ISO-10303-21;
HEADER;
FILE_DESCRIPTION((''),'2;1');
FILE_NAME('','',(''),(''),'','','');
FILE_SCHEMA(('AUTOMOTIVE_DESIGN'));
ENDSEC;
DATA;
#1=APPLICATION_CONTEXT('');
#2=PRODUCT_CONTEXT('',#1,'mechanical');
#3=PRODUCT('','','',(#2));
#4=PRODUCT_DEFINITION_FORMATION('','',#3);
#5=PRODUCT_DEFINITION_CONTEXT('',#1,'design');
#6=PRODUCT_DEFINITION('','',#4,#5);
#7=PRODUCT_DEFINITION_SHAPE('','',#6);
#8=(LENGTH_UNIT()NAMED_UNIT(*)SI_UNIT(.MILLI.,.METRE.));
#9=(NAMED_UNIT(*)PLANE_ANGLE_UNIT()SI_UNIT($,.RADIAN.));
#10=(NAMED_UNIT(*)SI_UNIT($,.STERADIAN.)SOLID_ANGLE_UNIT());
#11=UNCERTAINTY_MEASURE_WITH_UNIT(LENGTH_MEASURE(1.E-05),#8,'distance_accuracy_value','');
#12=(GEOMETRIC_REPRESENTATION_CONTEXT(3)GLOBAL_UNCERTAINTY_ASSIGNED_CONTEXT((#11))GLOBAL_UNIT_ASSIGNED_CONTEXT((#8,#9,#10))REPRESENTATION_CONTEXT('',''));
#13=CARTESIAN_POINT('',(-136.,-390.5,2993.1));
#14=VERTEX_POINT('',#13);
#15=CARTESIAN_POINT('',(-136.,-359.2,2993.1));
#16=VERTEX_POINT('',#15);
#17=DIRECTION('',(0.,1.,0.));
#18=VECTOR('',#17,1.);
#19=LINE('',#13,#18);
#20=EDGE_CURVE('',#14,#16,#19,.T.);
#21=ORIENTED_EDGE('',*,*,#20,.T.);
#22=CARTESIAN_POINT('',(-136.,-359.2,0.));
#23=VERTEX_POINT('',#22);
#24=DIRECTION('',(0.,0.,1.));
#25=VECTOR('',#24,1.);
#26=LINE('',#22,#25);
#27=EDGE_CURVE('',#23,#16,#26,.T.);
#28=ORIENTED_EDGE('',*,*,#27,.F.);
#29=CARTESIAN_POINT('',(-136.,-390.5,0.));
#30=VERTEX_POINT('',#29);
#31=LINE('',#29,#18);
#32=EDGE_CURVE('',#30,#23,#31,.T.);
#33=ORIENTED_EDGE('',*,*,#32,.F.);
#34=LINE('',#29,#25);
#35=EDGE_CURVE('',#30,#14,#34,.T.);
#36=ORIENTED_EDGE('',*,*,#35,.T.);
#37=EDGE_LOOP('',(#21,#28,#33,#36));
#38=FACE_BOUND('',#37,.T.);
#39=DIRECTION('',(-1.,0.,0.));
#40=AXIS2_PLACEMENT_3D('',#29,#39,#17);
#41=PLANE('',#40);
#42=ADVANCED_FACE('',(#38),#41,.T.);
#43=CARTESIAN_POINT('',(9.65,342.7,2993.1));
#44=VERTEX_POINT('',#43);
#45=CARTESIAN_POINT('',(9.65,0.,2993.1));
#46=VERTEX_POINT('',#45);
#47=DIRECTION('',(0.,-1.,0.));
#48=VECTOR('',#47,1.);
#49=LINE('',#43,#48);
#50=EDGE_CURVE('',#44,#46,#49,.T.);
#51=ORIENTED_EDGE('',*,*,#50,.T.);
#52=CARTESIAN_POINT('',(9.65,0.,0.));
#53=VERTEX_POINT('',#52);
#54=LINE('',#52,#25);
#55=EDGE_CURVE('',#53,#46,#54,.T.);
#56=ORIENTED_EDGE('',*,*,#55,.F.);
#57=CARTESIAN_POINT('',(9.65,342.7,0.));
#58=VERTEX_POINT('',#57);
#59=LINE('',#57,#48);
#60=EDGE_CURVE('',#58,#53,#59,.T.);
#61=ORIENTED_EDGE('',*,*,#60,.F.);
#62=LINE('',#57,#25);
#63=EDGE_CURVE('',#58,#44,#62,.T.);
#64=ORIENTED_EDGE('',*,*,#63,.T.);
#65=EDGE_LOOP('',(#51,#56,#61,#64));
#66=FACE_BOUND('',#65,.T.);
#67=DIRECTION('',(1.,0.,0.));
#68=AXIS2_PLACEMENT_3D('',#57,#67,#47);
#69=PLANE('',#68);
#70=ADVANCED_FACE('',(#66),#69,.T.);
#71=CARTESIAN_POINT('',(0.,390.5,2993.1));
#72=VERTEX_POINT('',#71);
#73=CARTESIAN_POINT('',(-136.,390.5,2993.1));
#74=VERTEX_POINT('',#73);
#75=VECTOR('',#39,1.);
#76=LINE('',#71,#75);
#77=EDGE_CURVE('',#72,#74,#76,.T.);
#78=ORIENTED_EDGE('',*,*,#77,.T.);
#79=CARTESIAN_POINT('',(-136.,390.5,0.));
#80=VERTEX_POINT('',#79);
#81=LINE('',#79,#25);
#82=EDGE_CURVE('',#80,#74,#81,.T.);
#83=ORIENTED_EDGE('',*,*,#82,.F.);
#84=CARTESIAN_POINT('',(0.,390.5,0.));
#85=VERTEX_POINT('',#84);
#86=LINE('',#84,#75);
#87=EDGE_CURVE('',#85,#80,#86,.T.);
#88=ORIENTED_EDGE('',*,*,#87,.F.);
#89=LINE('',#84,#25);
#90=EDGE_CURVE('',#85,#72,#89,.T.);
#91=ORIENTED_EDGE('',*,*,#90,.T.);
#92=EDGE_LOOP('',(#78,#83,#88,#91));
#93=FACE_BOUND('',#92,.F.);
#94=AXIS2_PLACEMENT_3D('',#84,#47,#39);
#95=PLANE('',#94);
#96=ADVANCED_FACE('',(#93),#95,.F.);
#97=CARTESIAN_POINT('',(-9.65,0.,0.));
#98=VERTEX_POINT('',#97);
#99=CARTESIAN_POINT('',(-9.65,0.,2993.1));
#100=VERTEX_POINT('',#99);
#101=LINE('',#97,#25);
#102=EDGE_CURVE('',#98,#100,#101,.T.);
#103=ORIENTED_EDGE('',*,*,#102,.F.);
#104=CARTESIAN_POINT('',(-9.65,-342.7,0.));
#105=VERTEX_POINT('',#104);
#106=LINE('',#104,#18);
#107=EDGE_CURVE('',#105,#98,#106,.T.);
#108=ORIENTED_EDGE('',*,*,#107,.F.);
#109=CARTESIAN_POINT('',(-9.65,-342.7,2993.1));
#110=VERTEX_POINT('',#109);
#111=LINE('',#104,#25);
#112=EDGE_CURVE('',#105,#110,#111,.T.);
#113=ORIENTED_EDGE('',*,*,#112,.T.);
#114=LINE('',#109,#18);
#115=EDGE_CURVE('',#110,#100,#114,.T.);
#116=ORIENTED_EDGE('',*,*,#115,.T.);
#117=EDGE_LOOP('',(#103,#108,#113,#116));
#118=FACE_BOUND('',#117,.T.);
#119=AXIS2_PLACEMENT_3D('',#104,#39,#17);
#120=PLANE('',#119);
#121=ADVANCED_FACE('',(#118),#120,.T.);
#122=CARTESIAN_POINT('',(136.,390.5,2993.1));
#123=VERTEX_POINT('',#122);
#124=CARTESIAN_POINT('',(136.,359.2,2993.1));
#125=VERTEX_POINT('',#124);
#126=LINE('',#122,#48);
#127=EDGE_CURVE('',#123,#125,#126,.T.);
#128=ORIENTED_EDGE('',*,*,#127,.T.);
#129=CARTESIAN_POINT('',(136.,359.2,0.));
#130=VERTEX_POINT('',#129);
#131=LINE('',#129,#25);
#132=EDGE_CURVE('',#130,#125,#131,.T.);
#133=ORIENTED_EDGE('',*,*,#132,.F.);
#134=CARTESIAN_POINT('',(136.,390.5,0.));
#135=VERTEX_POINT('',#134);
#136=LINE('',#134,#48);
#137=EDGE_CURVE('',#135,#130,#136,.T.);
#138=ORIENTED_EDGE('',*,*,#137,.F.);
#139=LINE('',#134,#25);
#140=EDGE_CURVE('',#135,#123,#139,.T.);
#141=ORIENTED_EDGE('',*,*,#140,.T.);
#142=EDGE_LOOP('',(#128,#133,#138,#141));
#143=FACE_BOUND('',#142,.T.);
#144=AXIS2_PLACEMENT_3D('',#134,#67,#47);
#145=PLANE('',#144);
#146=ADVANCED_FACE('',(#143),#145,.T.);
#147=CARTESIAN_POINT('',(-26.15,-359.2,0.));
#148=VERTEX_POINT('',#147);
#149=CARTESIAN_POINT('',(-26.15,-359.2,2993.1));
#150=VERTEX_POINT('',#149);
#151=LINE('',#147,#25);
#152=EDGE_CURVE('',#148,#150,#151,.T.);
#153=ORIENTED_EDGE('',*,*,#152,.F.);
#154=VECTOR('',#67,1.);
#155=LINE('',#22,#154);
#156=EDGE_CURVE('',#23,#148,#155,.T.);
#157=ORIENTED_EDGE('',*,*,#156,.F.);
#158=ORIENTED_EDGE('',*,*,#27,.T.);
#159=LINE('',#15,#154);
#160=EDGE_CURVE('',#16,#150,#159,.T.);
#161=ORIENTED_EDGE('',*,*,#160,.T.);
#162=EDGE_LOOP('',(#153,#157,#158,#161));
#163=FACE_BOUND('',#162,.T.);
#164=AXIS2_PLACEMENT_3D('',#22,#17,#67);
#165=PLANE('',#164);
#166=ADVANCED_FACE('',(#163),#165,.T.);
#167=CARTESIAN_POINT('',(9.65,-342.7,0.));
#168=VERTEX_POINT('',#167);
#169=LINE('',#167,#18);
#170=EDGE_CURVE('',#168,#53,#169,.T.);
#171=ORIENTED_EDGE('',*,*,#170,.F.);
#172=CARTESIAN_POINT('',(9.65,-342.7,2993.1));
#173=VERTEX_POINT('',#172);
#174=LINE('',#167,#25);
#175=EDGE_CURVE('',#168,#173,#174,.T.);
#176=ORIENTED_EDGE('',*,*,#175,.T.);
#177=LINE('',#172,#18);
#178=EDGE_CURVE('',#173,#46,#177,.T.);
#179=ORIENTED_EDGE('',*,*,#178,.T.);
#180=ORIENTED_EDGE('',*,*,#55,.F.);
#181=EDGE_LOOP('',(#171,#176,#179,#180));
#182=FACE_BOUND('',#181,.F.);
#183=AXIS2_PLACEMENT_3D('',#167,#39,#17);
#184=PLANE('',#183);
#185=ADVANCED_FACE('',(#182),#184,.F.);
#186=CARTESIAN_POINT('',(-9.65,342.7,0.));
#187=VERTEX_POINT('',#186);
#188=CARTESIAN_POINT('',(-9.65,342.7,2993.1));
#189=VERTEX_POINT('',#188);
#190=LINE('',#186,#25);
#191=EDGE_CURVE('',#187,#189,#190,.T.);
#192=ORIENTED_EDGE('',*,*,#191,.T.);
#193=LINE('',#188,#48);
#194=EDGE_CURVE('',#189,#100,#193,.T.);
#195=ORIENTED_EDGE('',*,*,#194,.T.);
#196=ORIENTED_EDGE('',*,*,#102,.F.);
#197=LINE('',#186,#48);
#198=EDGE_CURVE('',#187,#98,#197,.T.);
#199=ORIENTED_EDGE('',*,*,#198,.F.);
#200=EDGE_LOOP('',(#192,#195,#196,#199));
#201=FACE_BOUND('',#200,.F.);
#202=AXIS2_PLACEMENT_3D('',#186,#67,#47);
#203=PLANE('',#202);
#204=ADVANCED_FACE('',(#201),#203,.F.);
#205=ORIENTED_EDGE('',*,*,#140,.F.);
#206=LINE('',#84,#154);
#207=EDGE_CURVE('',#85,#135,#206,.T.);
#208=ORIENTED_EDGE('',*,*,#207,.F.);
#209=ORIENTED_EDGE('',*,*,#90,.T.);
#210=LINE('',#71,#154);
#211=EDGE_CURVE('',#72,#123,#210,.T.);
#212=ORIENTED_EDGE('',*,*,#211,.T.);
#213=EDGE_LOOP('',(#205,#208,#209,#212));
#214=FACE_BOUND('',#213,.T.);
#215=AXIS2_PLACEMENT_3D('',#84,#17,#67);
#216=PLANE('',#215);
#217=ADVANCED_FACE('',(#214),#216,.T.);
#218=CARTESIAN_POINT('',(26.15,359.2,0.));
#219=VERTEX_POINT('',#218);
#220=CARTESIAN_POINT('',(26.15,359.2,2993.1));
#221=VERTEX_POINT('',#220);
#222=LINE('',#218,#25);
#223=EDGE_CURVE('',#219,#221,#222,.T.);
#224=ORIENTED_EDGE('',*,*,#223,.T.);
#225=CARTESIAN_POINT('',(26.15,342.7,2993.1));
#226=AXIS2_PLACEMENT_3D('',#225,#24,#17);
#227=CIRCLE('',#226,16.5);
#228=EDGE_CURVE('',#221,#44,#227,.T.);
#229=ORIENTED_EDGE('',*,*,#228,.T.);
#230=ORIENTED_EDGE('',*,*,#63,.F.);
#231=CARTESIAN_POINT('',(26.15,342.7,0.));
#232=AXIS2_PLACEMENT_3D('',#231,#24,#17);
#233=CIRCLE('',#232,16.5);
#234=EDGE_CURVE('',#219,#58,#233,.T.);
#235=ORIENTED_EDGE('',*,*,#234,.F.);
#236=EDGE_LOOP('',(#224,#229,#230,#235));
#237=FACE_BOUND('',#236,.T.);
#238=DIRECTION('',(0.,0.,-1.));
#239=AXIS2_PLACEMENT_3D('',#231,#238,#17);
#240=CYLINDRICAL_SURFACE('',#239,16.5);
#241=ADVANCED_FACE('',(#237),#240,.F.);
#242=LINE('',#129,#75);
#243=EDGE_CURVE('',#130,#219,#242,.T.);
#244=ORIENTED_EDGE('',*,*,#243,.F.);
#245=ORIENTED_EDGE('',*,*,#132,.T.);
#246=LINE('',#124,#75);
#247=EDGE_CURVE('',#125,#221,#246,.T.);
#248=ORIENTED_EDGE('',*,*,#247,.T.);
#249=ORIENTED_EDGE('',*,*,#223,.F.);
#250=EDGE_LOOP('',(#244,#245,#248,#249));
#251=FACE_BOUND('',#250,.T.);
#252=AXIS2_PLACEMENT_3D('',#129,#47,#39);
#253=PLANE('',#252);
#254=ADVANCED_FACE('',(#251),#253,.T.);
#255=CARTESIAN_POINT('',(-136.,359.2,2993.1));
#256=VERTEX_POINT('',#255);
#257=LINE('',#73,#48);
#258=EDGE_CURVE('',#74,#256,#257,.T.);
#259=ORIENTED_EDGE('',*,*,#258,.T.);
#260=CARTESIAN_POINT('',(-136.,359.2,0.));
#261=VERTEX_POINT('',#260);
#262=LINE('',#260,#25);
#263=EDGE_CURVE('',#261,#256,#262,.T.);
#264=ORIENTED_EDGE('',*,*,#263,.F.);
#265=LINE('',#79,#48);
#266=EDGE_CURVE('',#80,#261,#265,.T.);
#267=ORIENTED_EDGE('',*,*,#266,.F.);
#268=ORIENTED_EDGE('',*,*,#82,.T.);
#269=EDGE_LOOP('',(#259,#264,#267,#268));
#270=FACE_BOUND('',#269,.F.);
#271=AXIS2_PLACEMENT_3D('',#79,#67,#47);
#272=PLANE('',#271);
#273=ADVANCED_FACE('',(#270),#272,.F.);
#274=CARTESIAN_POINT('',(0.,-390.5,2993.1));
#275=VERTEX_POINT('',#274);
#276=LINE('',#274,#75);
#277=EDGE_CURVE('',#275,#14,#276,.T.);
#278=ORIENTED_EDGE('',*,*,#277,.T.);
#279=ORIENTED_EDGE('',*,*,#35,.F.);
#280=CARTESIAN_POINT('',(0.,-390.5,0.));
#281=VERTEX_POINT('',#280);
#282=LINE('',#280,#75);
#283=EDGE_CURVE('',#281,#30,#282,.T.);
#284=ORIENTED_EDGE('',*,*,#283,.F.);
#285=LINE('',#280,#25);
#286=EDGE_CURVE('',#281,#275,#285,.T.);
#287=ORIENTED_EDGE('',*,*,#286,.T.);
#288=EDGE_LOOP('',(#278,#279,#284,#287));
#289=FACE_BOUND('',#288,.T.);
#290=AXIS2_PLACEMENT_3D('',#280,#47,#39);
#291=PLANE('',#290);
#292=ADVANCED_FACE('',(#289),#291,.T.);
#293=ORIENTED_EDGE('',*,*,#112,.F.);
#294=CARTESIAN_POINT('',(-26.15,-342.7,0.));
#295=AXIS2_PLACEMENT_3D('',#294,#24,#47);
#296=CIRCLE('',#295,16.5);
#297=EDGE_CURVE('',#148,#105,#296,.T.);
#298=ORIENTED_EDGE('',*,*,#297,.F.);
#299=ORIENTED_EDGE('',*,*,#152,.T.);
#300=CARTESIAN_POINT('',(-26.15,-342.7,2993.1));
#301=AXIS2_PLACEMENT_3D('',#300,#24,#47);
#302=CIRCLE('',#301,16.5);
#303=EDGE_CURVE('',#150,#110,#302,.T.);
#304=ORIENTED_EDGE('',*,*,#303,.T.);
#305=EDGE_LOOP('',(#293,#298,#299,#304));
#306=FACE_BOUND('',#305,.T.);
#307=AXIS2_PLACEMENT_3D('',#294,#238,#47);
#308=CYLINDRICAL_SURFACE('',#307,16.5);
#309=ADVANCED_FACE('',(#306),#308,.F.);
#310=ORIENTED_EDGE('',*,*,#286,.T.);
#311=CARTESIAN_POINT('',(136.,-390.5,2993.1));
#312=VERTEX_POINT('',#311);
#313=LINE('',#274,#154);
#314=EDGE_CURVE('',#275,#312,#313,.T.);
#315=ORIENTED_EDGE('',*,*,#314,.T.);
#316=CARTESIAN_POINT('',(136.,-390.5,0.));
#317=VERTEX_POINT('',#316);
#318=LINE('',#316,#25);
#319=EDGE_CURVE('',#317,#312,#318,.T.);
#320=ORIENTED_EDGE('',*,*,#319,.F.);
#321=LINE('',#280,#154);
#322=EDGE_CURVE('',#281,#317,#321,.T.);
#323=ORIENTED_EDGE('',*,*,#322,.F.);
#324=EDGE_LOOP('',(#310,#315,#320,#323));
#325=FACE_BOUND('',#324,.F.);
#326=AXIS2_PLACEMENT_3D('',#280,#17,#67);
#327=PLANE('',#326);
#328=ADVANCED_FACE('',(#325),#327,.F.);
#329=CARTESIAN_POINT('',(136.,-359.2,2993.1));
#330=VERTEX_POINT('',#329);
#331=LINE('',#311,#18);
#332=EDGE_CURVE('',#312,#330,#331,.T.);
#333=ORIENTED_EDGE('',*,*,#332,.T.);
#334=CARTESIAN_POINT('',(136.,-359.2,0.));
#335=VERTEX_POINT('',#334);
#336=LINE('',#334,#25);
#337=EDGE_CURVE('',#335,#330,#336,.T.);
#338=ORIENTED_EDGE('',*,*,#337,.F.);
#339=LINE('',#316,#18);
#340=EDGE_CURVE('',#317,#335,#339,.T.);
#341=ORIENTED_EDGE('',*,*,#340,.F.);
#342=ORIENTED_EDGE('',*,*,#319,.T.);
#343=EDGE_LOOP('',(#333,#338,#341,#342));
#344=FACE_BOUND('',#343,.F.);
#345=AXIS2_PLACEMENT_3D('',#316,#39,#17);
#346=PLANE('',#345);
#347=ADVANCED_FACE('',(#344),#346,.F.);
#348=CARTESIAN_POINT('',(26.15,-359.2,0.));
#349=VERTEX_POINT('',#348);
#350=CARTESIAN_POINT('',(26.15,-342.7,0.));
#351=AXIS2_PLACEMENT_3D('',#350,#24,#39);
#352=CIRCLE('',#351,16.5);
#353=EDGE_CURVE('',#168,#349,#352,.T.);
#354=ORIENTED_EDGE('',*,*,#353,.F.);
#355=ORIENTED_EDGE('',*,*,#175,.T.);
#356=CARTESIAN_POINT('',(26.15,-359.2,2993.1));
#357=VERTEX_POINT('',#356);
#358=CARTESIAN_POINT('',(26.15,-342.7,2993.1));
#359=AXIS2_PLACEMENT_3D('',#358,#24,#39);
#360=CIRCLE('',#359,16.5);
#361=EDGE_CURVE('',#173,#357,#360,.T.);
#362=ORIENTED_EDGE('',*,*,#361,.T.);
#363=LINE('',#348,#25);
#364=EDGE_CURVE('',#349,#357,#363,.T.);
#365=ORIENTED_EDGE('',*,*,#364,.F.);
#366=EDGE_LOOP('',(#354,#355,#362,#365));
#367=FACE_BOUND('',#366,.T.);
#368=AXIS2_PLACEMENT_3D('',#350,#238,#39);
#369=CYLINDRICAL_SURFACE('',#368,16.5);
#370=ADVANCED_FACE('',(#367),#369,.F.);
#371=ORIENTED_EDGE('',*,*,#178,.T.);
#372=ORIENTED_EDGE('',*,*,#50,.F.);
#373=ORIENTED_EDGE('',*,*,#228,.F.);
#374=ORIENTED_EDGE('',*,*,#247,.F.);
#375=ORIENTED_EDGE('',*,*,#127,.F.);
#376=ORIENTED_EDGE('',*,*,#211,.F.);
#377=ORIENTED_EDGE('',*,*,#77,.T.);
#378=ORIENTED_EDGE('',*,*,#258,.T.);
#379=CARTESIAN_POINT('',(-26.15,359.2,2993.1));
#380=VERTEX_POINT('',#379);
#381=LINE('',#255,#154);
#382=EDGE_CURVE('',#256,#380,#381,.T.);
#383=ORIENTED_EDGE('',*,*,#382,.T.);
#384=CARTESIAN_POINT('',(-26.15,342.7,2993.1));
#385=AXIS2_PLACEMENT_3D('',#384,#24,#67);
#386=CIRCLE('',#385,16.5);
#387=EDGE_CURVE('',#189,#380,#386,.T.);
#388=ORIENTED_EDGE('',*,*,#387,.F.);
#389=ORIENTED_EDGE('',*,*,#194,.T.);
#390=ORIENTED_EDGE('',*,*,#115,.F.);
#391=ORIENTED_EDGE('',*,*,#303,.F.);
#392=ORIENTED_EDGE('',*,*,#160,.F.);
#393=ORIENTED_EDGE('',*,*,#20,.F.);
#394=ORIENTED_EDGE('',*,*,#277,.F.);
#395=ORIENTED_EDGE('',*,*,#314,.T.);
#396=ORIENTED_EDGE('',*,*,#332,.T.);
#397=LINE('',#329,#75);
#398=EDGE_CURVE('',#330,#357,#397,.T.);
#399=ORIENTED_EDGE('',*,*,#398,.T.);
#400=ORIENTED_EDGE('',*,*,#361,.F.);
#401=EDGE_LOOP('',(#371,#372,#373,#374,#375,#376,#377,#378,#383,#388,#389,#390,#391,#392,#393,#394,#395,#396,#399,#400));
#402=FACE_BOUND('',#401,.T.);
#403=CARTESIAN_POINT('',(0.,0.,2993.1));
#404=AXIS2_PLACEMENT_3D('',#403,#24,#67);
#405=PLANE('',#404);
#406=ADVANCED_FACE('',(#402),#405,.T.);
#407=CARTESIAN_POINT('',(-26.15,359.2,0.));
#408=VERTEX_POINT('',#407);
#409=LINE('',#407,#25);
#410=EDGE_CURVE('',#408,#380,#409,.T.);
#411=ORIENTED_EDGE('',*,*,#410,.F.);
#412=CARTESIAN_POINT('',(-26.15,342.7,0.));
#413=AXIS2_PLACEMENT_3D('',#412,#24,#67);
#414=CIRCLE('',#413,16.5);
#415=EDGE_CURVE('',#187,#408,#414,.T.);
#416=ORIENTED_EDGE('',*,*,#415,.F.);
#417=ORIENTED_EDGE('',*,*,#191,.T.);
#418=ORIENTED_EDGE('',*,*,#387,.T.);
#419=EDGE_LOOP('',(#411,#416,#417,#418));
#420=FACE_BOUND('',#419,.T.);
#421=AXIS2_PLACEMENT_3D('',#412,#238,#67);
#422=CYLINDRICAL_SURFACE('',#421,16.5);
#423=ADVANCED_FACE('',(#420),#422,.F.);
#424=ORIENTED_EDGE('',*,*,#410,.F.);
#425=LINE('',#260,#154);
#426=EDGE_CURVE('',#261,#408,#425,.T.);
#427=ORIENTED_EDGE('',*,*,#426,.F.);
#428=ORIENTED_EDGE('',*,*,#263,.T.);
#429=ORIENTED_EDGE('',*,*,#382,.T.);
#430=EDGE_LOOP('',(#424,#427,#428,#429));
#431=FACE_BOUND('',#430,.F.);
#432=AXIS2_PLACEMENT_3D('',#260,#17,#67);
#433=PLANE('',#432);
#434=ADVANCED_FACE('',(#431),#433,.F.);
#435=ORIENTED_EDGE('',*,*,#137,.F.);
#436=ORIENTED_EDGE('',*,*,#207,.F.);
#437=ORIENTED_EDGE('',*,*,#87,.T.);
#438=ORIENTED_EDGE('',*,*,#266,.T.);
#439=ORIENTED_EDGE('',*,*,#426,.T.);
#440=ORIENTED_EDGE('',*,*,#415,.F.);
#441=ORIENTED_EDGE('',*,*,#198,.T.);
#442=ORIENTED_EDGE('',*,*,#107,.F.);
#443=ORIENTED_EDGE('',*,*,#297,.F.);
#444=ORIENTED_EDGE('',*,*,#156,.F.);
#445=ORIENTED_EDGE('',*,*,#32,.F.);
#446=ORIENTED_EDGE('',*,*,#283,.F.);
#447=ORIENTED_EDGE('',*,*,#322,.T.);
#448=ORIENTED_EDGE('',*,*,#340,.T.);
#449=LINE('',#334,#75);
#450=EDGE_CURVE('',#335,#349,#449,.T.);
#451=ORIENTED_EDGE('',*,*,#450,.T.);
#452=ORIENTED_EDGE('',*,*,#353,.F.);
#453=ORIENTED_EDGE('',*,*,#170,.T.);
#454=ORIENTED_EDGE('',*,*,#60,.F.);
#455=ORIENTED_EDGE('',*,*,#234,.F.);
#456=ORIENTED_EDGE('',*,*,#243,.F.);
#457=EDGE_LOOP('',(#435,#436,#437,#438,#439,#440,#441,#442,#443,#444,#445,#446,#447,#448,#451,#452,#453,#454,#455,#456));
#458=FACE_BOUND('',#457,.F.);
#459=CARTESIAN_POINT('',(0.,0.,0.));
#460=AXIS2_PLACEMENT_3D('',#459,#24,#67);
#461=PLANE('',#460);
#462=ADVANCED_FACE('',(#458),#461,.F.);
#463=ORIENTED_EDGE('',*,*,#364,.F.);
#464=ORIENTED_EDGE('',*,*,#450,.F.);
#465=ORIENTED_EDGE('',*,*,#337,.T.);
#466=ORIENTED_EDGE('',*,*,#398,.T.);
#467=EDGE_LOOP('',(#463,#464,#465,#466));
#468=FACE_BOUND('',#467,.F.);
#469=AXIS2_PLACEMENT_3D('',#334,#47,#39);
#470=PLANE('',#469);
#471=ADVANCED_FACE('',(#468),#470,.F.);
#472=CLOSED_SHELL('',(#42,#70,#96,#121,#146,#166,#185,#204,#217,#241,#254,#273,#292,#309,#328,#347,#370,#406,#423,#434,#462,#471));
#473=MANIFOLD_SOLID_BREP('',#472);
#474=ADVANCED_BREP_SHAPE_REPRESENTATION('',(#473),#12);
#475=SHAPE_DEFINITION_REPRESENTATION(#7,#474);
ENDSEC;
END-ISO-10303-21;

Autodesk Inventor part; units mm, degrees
ref_plane "YZ Plane" through (0, 0, 0) normal (1, 0, 0) x (0, 1, 0)
ref_plane "Start plane" through (0, 0, 0) normal (0, 0, 1) x (1, 0, 0)
ref_plane "End plane" through (0, 0, 2993.1) normal (0, 0, 1) x (1, 0, 0)
sketch "Sketch" plane through (0, 0, 0) normal (0, 0, 1) x (1, 0, 0)
  line L0 (-136, -390.5) -> (-136, -359.2)
  line L1 (-136, -359.2) -> (-26.15, -359.2)
  line L2 (-9.65, -342.7) -> (-9.65, 0)
  line L3 (-9.65, 0) -> (0, 0) construction
  line L4 (0, 0) -> (0, -390.5) construction
  line L5 (0, -390.5) -> (-136, -390.5)
  line L6 (-60, 0) -> (80, 0) construction
  line L7 (0, -60) -> (0, 80) construction
  line L8 (136, -390.5) -> (136, -359.2)
  line L9 (136, -359.2) -> (26.15, -359.2)
  line L10 (9.65, -342.7) -> (9.65, 0)
  line L11 (9.65, 0) -> (0, 0) construction
  line L12 (0, -390.5) -> (136, -390.5)
  line L13 (-136, 390.5) -> (-136, 359.2)
  line L14 (-136, 359.2) -> (-26.15, 359.2)
  line L15 (-9.65, 342.7) -> (-9.65, 0)
  line L16 (0, 390.5) -> (-136, 390.5)
  line L17 (136, 390.5) -> (136, 359.2)
  line L18 (136, 359.2) -> (26.15, 359.2)
  line L19 (0, 390.5) -> (136, 390.5)
  line L20 (9.65, 342.7) -> (9.65, 0)
  arc A0 (-9.65, 342.7) -> (-26.15, 359.2) centre (-26.15, 342.7) ccw
  arc A1 (26.15, 359.2) -> (9.65, 342.7) centre (26.15, 342.7) ccw
  arc A2 (9.65, -342.7) -> (26.15, -359.2) centre (26.15, -342.7) ccw
  arc A3 (-26.15, -359.2) -> (-9.65, -342.7) centre (-26.15, -342.7) ccw
  line L21 (0, 108) -> (0, -88) construction
  line L22 (-88, 0) -> (108, 0) construction
  point P0 (-9.65, -359.2)
  point P1 (9.65, -359.2)
  point P2 (-9.65, 359.2)
  point P3 (9.65, 359.2)
  dimension "d1" = 390.5
  dimension "d2" = 31.3
  dimension "d3" = 136
  dimension "d4" = 9.65
  dimension "d10" = 16.5
extrude "Body" add sketch "Sketch" along normal up to surface (2993.1 mm away) from surface at 0
sketch "Sketch4" plane through (0, 0, 0) normal (0, 0, 1) x (1, 0, 0)
  line L0 (0, 0) -> (10, 0)
ref_plane "Work Plane3" through (0, 0, 0) normal (0, -1, 0) x (1, 0, 0)
sketch "Sketch5" plane through (0, 0, 0) normal (0, -1, 0) x (1, 0, 0)
  line L0 (-2, 0) -> (12, 0) projected
  line L1 (-2, 2993.1) -> (12, 2993.1) projected
  dimension "d14" = 2993.1
equation "\"d1\" = 0.5 * G_H"
equation "\"d2\" = G_T1"
equation "\"d3\" = 0.5 * G_W"
equation "\"d4\" = 0.5 * G_T"
equation "\"d10\" = G_IR"
equation "\"d5\" = G_L"
equation "\"G_W\" = 272"
equation "\"G_H\" = 781"
equation "\"G_T\" = 19.3"
equation "\"G_T1\" = 31.3"
equation "\"G_IR\" = 16.5"
equation "\"G_L\" = d14"
equation "\"G_OFFSET_START\" = 0"
equation "\"G_OFFSET_END\" = 0"
equation "\"d12\" = G_OFFSET_END + B_L"
equation "\"B_L\" = 2993.1"
properties part number "AS 3679-1990 - 760 UB - 244 - 2993.1" material "Steel, Mild"
